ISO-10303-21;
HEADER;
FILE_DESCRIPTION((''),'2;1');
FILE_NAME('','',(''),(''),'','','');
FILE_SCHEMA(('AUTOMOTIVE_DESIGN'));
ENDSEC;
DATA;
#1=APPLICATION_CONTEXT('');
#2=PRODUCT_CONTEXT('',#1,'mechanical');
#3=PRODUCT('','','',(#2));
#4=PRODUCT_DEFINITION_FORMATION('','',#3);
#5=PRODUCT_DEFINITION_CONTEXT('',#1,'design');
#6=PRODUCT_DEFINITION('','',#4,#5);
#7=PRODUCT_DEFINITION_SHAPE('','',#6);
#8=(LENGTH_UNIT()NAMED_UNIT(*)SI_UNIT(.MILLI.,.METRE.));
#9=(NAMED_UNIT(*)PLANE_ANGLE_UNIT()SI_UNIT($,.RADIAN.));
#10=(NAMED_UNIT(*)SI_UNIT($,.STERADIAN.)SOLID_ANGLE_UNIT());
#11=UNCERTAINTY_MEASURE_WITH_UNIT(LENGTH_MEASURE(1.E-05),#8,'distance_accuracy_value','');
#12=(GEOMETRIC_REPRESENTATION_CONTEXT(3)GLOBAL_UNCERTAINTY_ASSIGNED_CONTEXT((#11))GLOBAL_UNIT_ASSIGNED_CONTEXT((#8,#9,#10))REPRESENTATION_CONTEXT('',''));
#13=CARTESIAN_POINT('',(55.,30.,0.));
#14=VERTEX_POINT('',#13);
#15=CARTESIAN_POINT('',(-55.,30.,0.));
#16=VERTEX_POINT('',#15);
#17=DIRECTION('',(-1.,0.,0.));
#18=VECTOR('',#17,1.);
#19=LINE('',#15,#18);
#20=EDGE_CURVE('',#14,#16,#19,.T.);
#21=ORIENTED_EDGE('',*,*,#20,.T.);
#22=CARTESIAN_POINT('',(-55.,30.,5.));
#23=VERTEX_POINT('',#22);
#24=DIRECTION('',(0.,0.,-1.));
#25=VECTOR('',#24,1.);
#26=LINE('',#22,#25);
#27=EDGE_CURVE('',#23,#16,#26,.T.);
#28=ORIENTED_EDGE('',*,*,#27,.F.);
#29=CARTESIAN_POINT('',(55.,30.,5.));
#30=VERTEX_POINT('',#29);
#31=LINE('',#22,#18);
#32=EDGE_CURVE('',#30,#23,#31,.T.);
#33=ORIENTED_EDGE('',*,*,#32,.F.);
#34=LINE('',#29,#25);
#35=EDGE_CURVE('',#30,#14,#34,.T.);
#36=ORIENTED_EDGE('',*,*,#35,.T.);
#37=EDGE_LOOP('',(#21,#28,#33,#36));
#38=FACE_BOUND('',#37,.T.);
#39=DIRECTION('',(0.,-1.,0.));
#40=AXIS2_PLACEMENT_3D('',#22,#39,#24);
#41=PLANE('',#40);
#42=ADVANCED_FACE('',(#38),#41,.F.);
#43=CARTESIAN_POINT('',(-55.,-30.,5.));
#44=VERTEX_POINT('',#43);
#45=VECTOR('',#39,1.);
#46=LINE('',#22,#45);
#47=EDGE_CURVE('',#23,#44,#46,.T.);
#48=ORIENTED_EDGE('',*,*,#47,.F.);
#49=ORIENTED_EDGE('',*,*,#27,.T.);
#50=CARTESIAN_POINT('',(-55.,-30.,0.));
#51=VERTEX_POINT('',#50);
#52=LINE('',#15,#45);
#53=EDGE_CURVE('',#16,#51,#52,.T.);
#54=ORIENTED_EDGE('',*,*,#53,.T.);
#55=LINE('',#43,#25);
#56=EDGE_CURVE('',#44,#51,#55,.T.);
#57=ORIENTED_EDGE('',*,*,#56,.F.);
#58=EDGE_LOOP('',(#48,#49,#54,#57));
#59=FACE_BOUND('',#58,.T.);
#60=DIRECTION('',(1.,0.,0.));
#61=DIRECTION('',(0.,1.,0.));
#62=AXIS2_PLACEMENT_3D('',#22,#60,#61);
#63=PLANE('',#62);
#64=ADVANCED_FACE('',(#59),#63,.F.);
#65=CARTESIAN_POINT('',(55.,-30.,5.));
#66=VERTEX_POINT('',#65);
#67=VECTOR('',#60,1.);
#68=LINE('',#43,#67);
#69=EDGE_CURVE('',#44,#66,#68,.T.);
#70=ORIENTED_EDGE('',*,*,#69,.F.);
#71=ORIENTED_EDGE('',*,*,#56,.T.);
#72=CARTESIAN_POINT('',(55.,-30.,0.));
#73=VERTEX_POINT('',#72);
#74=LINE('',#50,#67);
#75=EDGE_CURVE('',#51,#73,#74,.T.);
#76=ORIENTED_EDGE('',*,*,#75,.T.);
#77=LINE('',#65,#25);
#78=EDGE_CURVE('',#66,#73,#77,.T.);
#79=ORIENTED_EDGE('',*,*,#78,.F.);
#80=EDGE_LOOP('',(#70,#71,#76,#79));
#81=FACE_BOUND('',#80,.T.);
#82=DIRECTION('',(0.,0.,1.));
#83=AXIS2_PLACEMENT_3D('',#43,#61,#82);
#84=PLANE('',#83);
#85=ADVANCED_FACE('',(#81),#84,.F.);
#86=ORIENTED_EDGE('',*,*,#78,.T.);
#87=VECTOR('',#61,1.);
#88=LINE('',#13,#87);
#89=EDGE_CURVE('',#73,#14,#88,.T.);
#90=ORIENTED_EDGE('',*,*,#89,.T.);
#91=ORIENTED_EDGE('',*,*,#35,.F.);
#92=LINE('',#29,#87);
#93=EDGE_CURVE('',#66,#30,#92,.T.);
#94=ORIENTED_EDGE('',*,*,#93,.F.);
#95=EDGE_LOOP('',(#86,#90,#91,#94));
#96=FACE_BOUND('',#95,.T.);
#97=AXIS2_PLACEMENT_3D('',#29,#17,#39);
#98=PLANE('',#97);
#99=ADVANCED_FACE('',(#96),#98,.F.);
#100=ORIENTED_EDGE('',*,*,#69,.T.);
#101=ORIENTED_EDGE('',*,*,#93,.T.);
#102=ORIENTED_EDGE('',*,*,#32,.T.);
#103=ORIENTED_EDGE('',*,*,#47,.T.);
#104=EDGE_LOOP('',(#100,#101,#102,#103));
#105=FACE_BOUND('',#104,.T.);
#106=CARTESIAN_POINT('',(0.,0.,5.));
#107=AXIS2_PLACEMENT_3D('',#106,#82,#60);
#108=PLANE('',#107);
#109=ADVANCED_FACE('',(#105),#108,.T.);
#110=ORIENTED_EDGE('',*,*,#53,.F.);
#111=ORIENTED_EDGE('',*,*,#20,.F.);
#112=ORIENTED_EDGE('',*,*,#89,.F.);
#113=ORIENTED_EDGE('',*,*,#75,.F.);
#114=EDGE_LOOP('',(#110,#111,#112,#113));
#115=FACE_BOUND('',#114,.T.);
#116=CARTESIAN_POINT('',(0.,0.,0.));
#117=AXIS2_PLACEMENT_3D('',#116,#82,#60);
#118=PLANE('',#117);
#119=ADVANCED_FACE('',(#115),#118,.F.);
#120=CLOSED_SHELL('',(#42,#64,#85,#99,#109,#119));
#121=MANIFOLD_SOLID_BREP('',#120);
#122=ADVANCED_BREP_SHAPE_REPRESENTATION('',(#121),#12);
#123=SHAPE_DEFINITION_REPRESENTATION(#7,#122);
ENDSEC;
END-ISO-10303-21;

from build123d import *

# Parameters (mm, degrees)
SKETCH_1_W      = 110
SKETCH_1_H      = 60
EXTRUDE_1_DEPTH = 5


with BuildPart() as part:
    # 스케치1 → 보스-돌출1 (new body)
    with BuildSketch(Plane.XY):
        Rectangle(SKETCH_1_W, SKETCH_1_H)
    extrude(amount=EXTRUDE_1_DEPTH)


solid = part.part
